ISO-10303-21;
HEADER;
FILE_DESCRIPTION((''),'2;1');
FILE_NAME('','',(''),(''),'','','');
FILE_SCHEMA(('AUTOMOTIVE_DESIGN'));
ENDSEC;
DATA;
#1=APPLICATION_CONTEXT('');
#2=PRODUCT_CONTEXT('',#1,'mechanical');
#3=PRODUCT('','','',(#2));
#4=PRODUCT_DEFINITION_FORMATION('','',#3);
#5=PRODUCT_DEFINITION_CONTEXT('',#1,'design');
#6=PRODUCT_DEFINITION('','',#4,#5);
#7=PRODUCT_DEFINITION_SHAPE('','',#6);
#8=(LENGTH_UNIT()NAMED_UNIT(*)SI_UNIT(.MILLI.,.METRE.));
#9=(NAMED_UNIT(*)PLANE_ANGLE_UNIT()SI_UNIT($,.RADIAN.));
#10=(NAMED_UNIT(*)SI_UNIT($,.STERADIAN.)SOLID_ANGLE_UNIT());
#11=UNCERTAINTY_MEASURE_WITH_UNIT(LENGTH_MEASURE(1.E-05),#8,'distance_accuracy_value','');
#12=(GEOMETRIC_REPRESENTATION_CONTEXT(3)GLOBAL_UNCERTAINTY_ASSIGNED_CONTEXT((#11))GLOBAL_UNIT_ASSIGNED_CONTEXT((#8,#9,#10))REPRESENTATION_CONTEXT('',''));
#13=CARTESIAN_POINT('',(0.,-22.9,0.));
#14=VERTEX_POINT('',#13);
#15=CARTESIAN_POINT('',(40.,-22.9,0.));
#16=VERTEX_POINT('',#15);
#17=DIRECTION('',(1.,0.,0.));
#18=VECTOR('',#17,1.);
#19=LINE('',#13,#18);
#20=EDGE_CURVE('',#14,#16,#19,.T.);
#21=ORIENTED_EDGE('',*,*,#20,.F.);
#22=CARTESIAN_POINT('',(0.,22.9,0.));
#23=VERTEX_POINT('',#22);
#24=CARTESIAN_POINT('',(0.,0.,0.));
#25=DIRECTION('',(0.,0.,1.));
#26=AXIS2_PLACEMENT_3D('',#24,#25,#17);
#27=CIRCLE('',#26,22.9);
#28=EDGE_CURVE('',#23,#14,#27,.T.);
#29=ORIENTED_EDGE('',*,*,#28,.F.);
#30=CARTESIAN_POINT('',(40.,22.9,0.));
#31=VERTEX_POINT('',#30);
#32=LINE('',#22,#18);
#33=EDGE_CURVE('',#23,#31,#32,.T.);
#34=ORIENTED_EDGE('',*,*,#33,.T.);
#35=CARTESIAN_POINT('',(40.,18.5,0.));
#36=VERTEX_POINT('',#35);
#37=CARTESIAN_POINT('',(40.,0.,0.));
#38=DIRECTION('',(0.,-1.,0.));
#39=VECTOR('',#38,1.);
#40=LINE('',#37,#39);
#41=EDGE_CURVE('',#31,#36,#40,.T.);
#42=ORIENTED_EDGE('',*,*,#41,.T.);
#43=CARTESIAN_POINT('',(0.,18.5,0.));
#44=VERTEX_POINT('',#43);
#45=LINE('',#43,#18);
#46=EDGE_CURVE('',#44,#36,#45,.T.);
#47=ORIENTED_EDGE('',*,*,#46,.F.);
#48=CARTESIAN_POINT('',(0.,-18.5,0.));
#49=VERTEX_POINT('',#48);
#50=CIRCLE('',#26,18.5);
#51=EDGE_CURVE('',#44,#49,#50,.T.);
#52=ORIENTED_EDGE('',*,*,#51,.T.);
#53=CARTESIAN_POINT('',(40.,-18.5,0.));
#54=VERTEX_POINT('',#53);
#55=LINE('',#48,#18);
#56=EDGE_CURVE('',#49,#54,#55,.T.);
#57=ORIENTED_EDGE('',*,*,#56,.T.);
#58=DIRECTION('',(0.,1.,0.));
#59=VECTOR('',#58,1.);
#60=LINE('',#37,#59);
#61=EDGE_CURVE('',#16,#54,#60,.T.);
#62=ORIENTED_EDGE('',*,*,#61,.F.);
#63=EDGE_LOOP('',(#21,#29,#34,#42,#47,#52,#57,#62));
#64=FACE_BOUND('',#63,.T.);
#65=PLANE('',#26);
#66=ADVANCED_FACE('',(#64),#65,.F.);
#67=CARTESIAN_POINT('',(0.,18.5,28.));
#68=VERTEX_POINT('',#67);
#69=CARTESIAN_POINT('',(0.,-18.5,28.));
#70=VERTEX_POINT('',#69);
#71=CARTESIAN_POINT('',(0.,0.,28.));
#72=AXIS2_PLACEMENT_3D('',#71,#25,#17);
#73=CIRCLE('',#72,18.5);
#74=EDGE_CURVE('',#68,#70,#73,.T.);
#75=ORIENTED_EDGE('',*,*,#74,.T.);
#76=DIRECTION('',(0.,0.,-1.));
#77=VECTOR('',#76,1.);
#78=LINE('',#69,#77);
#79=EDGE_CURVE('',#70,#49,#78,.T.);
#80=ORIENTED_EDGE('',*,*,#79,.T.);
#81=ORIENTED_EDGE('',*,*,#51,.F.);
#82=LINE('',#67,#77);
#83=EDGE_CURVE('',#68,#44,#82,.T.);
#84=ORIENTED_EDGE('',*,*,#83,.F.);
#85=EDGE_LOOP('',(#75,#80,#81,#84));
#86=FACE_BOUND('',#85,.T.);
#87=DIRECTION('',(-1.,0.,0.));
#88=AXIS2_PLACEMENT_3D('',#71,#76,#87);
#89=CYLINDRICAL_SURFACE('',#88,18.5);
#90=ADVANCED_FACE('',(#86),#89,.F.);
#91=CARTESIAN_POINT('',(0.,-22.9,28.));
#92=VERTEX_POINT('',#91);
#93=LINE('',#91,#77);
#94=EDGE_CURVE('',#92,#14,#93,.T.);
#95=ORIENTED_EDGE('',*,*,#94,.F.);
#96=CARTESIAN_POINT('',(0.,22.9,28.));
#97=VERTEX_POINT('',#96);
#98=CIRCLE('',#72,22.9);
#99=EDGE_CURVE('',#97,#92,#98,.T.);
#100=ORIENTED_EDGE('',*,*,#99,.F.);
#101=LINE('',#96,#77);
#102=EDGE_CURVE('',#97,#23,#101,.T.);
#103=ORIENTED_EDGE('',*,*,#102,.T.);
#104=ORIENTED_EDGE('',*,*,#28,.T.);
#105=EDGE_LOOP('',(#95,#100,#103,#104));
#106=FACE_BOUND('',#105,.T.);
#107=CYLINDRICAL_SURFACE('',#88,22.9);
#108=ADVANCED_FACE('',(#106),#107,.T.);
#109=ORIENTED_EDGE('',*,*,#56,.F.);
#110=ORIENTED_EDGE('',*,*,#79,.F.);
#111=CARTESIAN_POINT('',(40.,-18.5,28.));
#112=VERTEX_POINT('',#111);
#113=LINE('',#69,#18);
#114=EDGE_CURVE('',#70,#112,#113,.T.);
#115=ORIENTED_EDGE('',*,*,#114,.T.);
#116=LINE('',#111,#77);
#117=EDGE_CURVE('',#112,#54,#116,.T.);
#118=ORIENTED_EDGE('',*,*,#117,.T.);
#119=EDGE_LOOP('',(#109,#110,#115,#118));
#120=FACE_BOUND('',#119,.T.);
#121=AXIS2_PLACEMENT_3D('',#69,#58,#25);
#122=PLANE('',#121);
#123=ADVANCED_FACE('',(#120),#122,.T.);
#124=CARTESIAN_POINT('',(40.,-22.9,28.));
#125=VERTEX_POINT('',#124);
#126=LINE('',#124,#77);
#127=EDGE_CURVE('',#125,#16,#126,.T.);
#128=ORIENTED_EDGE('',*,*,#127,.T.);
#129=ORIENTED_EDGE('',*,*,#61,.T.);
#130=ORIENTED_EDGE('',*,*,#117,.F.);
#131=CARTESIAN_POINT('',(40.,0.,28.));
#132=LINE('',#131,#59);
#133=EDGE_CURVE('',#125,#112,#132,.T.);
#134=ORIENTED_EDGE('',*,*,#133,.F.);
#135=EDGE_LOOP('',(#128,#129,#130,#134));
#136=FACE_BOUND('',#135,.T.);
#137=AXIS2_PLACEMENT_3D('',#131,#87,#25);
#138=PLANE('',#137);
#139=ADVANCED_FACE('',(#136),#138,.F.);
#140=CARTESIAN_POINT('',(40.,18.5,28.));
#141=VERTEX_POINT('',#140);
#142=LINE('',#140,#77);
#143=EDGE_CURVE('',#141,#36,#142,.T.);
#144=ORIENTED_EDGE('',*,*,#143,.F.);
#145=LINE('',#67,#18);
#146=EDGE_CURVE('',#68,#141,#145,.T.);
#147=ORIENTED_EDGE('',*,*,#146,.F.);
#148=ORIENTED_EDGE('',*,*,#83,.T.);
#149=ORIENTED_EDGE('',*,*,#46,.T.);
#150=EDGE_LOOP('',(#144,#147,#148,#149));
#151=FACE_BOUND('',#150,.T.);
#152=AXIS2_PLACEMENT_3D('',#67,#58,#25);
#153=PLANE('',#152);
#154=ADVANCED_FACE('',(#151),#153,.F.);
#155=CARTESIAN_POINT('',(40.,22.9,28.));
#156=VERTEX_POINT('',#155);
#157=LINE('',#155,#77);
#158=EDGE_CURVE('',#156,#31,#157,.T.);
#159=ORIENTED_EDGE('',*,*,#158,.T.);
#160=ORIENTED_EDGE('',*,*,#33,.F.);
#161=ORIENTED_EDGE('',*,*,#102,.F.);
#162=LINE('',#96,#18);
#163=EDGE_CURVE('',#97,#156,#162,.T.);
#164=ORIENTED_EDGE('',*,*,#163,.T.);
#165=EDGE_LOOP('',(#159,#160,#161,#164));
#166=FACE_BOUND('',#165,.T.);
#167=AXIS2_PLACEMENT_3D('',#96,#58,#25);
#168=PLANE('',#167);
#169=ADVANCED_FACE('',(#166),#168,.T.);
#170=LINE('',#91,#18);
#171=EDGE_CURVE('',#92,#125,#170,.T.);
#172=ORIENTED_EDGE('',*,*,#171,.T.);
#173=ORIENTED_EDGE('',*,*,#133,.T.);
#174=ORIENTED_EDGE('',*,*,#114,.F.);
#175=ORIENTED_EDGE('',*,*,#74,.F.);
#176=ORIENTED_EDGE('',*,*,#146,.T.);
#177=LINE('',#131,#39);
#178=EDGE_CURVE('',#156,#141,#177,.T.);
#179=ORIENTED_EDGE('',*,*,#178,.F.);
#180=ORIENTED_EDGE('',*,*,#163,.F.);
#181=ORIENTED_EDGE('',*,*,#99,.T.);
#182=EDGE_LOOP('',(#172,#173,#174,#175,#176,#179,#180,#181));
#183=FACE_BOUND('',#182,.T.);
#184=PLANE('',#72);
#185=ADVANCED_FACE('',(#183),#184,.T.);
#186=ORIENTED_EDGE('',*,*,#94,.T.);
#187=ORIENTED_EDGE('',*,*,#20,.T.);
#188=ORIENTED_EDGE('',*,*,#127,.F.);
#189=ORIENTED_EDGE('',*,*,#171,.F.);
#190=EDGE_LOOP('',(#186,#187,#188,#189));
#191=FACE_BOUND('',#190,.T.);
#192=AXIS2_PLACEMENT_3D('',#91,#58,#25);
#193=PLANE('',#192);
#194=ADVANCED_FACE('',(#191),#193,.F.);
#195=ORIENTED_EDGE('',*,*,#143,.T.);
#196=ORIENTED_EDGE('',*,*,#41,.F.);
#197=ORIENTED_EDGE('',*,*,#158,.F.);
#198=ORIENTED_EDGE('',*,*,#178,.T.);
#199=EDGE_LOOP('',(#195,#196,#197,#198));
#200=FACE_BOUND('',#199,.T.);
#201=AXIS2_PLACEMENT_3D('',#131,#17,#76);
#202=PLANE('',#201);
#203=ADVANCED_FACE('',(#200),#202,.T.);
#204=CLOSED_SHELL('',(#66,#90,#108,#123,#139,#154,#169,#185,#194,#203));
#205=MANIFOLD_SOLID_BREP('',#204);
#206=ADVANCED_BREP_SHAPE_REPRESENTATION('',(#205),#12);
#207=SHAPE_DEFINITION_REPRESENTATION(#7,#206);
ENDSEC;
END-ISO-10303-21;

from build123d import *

# Parameters (mm, degrees)
BOSS_EXTRUDE1_DEPTH = 28


with BuildPart() as part:
    # Sketch1 → Boss-Extrude1 (new body)
    with BuildSketch(Plane.XY):
        with BuildLine():
            ThreePointArc((0, 22.9), (7.09788701, 21.772230019), (13.496666255, 18.5))
            Line((13.496666255, 18.5), (40, 18.5))
            Line((40, 18.5), (40, 22.9))
            Line((40, 22.9), (0, 22.9))
        make_face()
        with BuildLine():
            ThreePointArc((0, -18.5), (-18.5, 0), (0, 18.5))
            Line((0, 18.5), (13.496666255, 18.5))
            ThreePointArc((13.496666255, 18.5), (7.09788701, 21.772230019), (0, 22.9))
            ThreePointArc((0, 22.9), (-22.9, 0), (0, -22.9))
            ThreePointArc((0, -22.9), (7.09788701, -21.772230019), (13.496666255, -18.5))
            Line((13.496666255, -18.5), (0, -18.5))
        make_face()
        with BuildLine():
            Line((40, -18.5), (13.496666255, -18.5))
            ThreePointArc((13.496666255, -18.5), (7.09788701, -21.772230019), (0, -22.9))
            Line((0, -22.9), (40, -22.9))
            Line((40, -22.9), (40, -18.5))
        make_face()
    extrude(amount=BOSS_EXTRUDE1_DEPTH)


solid = part.part
